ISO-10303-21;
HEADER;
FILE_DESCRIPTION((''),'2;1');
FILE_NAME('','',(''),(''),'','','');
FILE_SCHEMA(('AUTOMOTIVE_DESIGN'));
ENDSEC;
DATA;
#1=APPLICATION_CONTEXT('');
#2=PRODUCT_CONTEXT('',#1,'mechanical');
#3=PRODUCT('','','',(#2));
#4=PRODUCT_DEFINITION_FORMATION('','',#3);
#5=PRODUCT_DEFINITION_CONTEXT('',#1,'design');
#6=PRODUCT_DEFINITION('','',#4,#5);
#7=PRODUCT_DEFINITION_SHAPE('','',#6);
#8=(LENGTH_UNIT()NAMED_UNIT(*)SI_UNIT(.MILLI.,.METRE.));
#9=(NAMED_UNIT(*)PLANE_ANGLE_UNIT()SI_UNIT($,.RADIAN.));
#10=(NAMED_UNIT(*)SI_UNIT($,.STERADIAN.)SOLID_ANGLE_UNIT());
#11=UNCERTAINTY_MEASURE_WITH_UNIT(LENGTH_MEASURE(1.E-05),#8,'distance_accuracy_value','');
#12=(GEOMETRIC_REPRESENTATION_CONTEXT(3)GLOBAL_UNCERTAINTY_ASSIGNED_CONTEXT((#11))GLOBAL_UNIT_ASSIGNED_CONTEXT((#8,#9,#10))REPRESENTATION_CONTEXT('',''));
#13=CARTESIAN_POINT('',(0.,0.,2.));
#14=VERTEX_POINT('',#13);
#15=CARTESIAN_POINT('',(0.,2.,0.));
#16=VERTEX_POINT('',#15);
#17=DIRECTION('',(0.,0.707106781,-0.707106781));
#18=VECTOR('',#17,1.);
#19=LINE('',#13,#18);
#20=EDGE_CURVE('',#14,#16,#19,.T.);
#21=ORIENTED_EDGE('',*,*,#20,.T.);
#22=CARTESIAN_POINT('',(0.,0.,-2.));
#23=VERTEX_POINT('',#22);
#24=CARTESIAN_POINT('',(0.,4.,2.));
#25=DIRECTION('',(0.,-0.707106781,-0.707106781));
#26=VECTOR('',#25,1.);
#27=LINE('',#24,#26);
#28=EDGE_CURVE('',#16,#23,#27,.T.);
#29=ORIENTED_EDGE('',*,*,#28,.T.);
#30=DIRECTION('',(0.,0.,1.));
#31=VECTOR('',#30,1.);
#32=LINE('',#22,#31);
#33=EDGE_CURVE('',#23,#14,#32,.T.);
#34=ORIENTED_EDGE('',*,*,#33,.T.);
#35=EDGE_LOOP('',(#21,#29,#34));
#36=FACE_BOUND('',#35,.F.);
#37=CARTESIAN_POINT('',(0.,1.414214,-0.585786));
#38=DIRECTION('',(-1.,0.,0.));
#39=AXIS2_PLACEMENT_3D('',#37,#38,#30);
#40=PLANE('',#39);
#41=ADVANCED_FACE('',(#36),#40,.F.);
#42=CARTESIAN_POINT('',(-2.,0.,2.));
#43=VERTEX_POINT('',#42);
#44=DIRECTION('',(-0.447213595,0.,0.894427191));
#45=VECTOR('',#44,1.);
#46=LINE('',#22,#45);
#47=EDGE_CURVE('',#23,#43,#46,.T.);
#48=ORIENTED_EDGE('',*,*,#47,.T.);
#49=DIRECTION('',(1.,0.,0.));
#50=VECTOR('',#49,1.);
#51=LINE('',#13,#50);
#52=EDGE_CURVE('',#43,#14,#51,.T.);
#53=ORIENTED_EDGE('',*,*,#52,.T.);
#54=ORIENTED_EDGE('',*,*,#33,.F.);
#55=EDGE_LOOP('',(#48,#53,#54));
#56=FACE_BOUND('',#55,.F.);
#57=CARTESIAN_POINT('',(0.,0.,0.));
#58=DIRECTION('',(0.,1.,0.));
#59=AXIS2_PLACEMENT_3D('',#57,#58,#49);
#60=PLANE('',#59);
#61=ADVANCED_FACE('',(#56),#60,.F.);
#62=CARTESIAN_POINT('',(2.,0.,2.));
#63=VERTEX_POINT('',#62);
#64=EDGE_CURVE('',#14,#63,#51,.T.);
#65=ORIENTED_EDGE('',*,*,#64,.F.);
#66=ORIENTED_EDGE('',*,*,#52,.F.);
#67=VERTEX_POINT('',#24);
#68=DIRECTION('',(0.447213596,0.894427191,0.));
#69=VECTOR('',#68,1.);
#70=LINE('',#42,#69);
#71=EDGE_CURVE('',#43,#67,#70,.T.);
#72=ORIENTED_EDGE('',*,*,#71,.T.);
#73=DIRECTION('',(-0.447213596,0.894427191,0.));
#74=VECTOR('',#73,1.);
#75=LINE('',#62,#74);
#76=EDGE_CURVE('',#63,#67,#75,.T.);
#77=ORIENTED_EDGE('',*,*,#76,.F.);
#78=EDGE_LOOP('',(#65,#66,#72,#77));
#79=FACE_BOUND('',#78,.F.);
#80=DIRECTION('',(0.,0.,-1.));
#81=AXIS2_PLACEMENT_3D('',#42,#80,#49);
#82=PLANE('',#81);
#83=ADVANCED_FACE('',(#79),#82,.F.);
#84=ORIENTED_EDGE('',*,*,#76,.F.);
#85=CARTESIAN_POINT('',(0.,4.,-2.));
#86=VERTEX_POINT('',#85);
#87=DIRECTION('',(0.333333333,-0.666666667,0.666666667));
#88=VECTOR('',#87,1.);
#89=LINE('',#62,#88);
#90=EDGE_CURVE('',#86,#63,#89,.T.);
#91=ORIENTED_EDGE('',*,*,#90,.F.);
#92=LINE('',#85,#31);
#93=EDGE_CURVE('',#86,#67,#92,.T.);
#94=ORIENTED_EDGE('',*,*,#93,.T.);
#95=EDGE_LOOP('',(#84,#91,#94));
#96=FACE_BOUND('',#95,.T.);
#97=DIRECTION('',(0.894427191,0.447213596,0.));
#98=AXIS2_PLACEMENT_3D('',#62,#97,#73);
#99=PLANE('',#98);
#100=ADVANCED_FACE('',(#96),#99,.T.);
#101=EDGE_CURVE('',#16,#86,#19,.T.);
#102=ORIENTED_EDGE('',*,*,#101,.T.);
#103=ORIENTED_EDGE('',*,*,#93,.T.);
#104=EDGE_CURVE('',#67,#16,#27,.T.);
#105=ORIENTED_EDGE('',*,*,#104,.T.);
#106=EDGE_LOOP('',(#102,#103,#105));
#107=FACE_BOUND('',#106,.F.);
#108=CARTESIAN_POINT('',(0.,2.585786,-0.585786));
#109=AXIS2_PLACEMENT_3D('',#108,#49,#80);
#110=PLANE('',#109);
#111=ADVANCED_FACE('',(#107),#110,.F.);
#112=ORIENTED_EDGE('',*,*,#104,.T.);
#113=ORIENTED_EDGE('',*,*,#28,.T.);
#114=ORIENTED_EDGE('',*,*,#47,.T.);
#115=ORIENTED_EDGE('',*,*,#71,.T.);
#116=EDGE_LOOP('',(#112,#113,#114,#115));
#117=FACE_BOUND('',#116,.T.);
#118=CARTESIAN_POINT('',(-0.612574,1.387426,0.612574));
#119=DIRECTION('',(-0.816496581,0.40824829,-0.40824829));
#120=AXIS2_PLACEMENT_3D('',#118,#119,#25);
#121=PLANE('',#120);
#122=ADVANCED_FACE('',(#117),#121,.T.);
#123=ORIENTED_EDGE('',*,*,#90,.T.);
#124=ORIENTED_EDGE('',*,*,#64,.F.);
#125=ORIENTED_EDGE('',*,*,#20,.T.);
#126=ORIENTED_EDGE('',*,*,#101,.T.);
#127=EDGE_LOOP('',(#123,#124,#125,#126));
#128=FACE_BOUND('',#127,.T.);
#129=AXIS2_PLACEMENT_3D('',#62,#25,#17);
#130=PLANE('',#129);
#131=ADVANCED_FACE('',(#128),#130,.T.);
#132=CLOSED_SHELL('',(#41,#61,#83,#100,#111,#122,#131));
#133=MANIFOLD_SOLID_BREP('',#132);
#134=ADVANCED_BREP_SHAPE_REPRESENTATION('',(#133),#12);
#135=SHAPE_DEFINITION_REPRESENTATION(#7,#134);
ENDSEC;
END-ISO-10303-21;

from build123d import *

# Parameters (mm, degrees)
SKETCH1_W           = 4
SKETCH1_H           = 4
BOSS_EXTRUDE1_DEPTH = 4
CUT_EXTRUDE1_DEPTH  = 2
CUT_EXTRUDE2_DEPTH  = 2
CUT_EXTRUDE3_DEPTH  = 10
CUT_EXTRUDE4_DEPTH  = 10


with BuildPart() as part:
    # Sketch1 → Boss-Extrude1 (new body)
    with BuildSketch(Plane(origin=(0, 0, 0), x_dir=(1, 0, 0), z_dir=(0, 1, 0))):
        Rectangle(SKETCH1_W, SKETCH1_H)
    extrude(amount=BOSS_EXTRUDE1_DEPTH)

    # Sketch2 → Cut-Extrude1 (cut)
    with BuildSketch(Plane.ZY.offset(2)):
        Polygon((2, 4), (-2, 0), (-2, 4), align=None)
    extrude(amount=-CUT_EXTRUDE1_DEPTH, mode=Mode.SUBTRACT)

    # Sketch3 → Cut-Extrude2 (cut)
    with BuildSketch(Plane(origin=(2, 0, 0), x_dir=(0, 0, -1), z_dir=(1, 0, 0))):
        Polygon((-2, 0), (2, 4), (2, 0), align=None)
    extrude(amount=-CUT_EXTRUDE2_DEPTH, mode=Mode.SUBTRACT)

    # Sketch4 → Cut-Extrude3 (cut)
    with BuildSketch(Plane.XY.offset(2)):
        Polygon((2, 0), (0, 4), (2, 4), align=None)
    extrude(amount=-CUT_EXTRUDE3_DEPTH, mode=Mode.SUBTRACT)

    # 3DSketch1 → Cut-Extrude4 (cut, along a direction that is not the sketch's normal)
    with BuildSketch(Plane(origin=(0, 0, -2), x_dir=(0, 0.7071067811865476, 0.7071067811865476), z_dir=(0.816496580927726, -0.408248290463863, 0.408248290463863))):
        Polygon((0, 0), (2.828427125, 3.464101615), (5.656854249, 0), align=None)
    extrude(amount=-CUT_EXTRUDE4_DEPTH, dir=(0, 0, 1), mode=Mode.SUBTRACT)


with BuildPart() as body_2:
    # of the pieces the cut leaves, the one that is kept (cut_extrude4_keep)
    add(part.part.solids().sort_by_distance((0, 0, 2))[0])


solid = body_2.part
